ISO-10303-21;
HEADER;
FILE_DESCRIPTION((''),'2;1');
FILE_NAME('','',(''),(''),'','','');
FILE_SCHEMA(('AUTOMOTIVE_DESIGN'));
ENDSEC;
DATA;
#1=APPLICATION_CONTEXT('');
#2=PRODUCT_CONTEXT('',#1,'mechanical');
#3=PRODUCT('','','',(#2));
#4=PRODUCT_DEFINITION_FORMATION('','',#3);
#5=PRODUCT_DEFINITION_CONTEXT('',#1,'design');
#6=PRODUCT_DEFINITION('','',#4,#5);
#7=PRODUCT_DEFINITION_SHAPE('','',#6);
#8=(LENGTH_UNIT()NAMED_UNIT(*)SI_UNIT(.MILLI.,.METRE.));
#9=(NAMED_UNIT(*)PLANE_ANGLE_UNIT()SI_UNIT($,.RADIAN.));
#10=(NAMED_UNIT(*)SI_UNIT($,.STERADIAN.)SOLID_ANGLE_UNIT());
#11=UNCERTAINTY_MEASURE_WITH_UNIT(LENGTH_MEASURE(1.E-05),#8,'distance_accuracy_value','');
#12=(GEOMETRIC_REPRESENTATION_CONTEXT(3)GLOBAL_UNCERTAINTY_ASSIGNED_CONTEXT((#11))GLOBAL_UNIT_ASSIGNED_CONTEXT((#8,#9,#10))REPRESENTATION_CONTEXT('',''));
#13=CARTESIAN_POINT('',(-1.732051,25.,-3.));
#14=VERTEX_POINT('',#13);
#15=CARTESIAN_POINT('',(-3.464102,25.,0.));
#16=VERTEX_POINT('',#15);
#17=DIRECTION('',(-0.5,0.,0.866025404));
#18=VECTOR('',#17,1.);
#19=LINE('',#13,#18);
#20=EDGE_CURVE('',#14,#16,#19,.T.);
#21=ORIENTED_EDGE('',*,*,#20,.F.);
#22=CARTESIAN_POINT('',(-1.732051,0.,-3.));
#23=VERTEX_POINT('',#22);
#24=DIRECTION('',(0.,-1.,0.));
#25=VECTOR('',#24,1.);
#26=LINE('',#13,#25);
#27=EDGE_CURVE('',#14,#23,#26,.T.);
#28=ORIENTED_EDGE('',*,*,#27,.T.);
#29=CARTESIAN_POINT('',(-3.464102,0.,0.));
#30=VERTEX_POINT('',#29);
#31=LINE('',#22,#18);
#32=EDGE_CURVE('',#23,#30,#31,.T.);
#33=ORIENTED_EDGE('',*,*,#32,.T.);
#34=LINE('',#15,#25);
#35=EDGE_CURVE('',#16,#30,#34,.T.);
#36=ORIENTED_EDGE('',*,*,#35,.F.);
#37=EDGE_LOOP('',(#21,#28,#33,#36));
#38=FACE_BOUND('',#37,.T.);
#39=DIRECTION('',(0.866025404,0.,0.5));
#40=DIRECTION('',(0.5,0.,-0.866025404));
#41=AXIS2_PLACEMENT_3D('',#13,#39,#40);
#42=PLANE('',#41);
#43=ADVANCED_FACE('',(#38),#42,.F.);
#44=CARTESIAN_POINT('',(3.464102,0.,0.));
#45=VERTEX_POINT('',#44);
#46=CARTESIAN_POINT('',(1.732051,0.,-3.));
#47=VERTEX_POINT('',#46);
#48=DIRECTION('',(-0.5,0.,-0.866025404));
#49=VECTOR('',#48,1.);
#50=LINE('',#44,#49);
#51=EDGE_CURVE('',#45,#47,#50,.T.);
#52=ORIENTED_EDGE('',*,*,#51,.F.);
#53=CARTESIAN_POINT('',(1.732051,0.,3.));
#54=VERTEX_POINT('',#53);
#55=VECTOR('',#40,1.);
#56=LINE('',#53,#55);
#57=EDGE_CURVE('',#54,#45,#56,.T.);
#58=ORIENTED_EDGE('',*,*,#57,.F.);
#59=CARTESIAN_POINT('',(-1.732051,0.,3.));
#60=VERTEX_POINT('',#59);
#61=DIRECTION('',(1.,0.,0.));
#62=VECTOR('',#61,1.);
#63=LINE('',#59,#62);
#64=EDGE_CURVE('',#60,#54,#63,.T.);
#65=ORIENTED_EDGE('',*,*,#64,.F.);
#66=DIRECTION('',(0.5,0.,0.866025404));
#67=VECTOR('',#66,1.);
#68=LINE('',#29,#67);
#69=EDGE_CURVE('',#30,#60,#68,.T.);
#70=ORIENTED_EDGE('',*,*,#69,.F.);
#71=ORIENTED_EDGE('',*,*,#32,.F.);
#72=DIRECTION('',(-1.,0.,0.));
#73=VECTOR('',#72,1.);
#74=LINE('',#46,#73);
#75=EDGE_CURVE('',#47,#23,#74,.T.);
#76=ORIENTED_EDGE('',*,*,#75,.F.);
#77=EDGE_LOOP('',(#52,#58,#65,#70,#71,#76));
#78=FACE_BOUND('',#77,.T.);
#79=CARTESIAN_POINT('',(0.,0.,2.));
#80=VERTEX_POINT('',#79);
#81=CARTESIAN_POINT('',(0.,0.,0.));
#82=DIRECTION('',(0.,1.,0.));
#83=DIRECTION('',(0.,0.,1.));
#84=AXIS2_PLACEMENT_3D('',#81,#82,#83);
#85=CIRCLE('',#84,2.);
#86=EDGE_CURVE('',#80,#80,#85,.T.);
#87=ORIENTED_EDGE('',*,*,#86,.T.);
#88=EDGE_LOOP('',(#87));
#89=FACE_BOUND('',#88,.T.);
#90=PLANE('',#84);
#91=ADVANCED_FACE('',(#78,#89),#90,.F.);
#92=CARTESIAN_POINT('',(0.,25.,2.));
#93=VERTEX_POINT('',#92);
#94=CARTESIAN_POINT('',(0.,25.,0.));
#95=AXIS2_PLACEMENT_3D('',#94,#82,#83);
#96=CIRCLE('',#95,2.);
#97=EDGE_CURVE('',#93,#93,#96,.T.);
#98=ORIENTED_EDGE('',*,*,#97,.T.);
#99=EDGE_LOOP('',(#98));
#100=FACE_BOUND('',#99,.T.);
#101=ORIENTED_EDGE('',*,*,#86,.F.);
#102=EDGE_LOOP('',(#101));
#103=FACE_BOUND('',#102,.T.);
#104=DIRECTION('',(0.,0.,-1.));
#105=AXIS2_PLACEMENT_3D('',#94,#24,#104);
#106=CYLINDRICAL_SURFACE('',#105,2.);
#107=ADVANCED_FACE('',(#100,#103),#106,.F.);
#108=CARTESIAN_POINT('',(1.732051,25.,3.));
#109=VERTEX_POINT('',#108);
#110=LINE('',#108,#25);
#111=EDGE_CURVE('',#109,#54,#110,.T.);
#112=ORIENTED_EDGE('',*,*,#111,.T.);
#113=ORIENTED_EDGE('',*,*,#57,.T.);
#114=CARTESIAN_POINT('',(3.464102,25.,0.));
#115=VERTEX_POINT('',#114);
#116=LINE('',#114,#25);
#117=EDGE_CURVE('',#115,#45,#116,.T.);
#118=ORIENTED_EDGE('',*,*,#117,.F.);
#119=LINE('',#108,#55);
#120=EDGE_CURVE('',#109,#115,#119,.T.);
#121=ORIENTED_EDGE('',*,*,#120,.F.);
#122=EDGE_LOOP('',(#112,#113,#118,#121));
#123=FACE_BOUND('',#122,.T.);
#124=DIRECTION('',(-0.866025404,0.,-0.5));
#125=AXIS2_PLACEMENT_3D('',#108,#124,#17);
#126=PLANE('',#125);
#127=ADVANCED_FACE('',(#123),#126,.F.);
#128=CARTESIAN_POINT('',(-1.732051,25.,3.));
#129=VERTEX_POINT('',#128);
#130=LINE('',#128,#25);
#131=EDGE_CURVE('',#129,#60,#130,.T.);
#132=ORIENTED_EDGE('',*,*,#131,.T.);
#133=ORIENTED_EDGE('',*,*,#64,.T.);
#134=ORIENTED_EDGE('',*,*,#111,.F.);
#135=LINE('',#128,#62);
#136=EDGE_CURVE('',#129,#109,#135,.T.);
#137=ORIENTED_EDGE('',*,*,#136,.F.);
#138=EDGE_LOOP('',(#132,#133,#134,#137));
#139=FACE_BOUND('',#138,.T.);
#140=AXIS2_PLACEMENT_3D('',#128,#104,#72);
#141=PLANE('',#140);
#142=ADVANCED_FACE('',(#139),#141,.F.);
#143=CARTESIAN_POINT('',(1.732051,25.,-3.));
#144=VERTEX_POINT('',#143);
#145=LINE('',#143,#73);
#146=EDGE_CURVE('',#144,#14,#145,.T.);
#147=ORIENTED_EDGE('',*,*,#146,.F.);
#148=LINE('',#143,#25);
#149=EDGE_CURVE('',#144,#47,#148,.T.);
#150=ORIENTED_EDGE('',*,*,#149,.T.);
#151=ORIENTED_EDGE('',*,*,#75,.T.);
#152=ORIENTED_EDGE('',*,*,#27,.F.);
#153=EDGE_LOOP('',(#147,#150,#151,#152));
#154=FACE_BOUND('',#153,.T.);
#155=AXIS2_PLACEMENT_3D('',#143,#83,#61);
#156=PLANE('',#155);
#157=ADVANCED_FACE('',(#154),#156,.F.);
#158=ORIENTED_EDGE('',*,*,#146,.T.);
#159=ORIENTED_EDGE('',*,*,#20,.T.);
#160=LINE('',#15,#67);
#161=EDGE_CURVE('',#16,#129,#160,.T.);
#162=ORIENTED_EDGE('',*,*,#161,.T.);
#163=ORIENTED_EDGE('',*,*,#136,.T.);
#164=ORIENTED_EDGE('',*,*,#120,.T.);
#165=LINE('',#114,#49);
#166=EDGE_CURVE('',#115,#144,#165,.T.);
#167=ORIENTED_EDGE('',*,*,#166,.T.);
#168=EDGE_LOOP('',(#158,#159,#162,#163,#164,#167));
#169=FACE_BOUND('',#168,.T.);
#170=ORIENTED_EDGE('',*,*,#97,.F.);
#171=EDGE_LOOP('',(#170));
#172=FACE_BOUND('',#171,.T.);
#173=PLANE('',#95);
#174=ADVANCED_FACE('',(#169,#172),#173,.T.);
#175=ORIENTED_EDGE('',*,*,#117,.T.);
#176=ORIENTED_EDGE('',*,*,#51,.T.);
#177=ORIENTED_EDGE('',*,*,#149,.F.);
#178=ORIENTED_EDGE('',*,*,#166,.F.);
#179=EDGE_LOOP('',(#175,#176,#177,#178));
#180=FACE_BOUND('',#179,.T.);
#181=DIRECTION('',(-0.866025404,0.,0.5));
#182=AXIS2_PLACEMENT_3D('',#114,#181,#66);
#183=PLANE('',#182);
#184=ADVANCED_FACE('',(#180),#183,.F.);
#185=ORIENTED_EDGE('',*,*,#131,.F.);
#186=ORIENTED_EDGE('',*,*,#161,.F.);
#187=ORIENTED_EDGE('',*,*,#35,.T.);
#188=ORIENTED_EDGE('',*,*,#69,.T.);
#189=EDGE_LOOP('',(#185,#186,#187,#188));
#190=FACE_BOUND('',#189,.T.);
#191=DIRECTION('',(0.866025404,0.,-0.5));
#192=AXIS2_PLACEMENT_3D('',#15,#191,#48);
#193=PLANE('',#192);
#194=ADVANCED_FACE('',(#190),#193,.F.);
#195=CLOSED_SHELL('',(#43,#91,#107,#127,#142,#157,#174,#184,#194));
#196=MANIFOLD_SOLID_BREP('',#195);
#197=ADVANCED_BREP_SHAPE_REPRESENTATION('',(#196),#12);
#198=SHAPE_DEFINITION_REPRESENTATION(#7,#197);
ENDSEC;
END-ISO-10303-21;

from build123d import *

# Parameters (mm, degrees)
SKETCH_1_R      = 2
EXTRUDE_1_DEPTH = 25


with BuildPart() as part:
    # 草图1 → 凸台-拉伸1 (new body)
    with BuildSketch(Plane(origin=(0, 0, 0), x_dir=(1, 0, 0), z_dir=(0, 1, 0))):
        Polygon((-3.464101615, 0), (-1.732050808, -3), (1.732050808, -3), (3.464101615, 0), (1.732050808, 3), (-1.732050808, 3), align=None)
        with Locations(Location((0, 0, 0), (0, 0, 270))):
            Circle(SKETCH_1_R, mode=Mode.SUBTRACT)
    extrude(amount=EXTRUDE_1_DEPTH)


solid = part.part
